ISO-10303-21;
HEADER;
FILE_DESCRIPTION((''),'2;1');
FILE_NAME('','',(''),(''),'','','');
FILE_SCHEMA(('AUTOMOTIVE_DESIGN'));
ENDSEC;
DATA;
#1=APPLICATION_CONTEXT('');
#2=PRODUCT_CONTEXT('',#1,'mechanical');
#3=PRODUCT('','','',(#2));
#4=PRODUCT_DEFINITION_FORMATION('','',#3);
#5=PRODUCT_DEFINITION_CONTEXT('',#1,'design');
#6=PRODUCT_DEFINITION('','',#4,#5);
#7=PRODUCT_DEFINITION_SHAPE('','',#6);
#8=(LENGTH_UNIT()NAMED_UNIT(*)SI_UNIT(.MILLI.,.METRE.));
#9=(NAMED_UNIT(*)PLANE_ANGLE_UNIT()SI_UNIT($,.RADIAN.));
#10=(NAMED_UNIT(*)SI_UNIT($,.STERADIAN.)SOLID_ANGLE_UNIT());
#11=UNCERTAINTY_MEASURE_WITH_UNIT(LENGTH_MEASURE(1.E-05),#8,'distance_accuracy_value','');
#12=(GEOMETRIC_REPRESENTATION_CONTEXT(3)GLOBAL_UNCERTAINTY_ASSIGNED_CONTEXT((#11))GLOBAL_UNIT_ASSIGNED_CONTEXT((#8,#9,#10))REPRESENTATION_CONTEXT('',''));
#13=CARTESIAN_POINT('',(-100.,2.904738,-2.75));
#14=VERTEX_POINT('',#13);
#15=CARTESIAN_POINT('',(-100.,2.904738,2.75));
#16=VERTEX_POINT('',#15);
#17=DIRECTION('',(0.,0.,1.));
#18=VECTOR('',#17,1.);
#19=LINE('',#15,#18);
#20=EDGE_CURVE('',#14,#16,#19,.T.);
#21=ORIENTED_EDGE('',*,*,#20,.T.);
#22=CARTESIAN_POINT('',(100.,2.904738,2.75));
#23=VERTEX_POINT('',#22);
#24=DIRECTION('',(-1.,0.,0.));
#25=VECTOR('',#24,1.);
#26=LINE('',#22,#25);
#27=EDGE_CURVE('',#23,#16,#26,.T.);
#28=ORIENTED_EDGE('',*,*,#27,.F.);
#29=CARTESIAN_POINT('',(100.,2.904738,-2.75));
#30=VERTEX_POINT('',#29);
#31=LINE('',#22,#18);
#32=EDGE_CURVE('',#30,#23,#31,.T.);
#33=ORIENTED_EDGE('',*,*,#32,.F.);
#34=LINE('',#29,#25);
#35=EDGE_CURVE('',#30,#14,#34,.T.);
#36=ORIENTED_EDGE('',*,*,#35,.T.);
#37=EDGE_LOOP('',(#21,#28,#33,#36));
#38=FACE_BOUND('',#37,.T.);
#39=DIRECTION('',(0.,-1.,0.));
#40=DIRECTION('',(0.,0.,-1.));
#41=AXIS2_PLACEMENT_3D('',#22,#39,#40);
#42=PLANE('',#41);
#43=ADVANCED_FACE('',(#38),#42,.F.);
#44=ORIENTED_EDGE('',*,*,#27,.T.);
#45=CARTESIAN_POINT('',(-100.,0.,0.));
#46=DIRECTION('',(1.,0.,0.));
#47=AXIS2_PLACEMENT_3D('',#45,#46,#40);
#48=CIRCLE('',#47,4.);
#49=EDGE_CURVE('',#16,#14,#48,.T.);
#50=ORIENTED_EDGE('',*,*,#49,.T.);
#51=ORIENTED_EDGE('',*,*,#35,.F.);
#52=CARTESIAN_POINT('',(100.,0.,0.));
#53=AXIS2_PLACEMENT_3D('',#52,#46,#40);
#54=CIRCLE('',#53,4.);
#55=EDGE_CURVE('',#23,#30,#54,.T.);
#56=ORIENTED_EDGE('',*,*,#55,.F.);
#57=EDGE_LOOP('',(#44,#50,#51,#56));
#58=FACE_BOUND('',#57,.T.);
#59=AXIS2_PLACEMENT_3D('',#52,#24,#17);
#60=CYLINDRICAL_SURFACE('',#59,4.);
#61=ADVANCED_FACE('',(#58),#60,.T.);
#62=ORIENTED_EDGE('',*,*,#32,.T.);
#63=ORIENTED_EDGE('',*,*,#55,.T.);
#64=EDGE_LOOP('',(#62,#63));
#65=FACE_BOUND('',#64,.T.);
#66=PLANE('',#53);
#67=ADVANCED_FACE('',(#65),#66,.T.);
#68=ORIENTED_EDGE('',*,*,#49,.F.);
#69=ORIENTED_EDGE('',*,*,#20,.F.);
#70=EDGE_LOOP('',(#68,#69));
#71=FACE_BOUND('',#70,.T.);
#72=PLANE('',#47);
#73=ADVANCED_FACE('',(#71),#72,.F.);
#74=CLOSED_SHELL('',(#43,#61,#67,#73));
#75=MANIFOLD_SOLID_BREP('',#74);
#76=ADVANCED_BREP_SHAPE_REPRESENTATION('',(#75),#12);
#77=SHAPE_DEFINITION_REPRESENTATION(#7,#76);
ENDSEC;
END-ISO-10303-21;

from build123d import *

# Parameters (mm, degrees)
AUFSATZ_LINEAR_AUSTRAGEN1_DEPTH = 100


with BuildPart() as part:
    # Skizze2 → Aufsatz-Linear austragen1 (new, symmetric)
    with BuildSketch(Plane(origin=(0, 0, 0), x_dir=(0, 0, -1), z_dir=(1, 0, 0))):
        with BuildLine():
            Line((-2.75, 2.90473751), (2.75, 2.90473751))
            ThreePointArc((2.75, 2.90473751), (0, -4), (-2.75, 2.90473751))
        make_face()
    extrude(amount=AUFSATZ_LINEAR_AUSTRAGEN1_DEPTH, both=True)


solid = part.part
